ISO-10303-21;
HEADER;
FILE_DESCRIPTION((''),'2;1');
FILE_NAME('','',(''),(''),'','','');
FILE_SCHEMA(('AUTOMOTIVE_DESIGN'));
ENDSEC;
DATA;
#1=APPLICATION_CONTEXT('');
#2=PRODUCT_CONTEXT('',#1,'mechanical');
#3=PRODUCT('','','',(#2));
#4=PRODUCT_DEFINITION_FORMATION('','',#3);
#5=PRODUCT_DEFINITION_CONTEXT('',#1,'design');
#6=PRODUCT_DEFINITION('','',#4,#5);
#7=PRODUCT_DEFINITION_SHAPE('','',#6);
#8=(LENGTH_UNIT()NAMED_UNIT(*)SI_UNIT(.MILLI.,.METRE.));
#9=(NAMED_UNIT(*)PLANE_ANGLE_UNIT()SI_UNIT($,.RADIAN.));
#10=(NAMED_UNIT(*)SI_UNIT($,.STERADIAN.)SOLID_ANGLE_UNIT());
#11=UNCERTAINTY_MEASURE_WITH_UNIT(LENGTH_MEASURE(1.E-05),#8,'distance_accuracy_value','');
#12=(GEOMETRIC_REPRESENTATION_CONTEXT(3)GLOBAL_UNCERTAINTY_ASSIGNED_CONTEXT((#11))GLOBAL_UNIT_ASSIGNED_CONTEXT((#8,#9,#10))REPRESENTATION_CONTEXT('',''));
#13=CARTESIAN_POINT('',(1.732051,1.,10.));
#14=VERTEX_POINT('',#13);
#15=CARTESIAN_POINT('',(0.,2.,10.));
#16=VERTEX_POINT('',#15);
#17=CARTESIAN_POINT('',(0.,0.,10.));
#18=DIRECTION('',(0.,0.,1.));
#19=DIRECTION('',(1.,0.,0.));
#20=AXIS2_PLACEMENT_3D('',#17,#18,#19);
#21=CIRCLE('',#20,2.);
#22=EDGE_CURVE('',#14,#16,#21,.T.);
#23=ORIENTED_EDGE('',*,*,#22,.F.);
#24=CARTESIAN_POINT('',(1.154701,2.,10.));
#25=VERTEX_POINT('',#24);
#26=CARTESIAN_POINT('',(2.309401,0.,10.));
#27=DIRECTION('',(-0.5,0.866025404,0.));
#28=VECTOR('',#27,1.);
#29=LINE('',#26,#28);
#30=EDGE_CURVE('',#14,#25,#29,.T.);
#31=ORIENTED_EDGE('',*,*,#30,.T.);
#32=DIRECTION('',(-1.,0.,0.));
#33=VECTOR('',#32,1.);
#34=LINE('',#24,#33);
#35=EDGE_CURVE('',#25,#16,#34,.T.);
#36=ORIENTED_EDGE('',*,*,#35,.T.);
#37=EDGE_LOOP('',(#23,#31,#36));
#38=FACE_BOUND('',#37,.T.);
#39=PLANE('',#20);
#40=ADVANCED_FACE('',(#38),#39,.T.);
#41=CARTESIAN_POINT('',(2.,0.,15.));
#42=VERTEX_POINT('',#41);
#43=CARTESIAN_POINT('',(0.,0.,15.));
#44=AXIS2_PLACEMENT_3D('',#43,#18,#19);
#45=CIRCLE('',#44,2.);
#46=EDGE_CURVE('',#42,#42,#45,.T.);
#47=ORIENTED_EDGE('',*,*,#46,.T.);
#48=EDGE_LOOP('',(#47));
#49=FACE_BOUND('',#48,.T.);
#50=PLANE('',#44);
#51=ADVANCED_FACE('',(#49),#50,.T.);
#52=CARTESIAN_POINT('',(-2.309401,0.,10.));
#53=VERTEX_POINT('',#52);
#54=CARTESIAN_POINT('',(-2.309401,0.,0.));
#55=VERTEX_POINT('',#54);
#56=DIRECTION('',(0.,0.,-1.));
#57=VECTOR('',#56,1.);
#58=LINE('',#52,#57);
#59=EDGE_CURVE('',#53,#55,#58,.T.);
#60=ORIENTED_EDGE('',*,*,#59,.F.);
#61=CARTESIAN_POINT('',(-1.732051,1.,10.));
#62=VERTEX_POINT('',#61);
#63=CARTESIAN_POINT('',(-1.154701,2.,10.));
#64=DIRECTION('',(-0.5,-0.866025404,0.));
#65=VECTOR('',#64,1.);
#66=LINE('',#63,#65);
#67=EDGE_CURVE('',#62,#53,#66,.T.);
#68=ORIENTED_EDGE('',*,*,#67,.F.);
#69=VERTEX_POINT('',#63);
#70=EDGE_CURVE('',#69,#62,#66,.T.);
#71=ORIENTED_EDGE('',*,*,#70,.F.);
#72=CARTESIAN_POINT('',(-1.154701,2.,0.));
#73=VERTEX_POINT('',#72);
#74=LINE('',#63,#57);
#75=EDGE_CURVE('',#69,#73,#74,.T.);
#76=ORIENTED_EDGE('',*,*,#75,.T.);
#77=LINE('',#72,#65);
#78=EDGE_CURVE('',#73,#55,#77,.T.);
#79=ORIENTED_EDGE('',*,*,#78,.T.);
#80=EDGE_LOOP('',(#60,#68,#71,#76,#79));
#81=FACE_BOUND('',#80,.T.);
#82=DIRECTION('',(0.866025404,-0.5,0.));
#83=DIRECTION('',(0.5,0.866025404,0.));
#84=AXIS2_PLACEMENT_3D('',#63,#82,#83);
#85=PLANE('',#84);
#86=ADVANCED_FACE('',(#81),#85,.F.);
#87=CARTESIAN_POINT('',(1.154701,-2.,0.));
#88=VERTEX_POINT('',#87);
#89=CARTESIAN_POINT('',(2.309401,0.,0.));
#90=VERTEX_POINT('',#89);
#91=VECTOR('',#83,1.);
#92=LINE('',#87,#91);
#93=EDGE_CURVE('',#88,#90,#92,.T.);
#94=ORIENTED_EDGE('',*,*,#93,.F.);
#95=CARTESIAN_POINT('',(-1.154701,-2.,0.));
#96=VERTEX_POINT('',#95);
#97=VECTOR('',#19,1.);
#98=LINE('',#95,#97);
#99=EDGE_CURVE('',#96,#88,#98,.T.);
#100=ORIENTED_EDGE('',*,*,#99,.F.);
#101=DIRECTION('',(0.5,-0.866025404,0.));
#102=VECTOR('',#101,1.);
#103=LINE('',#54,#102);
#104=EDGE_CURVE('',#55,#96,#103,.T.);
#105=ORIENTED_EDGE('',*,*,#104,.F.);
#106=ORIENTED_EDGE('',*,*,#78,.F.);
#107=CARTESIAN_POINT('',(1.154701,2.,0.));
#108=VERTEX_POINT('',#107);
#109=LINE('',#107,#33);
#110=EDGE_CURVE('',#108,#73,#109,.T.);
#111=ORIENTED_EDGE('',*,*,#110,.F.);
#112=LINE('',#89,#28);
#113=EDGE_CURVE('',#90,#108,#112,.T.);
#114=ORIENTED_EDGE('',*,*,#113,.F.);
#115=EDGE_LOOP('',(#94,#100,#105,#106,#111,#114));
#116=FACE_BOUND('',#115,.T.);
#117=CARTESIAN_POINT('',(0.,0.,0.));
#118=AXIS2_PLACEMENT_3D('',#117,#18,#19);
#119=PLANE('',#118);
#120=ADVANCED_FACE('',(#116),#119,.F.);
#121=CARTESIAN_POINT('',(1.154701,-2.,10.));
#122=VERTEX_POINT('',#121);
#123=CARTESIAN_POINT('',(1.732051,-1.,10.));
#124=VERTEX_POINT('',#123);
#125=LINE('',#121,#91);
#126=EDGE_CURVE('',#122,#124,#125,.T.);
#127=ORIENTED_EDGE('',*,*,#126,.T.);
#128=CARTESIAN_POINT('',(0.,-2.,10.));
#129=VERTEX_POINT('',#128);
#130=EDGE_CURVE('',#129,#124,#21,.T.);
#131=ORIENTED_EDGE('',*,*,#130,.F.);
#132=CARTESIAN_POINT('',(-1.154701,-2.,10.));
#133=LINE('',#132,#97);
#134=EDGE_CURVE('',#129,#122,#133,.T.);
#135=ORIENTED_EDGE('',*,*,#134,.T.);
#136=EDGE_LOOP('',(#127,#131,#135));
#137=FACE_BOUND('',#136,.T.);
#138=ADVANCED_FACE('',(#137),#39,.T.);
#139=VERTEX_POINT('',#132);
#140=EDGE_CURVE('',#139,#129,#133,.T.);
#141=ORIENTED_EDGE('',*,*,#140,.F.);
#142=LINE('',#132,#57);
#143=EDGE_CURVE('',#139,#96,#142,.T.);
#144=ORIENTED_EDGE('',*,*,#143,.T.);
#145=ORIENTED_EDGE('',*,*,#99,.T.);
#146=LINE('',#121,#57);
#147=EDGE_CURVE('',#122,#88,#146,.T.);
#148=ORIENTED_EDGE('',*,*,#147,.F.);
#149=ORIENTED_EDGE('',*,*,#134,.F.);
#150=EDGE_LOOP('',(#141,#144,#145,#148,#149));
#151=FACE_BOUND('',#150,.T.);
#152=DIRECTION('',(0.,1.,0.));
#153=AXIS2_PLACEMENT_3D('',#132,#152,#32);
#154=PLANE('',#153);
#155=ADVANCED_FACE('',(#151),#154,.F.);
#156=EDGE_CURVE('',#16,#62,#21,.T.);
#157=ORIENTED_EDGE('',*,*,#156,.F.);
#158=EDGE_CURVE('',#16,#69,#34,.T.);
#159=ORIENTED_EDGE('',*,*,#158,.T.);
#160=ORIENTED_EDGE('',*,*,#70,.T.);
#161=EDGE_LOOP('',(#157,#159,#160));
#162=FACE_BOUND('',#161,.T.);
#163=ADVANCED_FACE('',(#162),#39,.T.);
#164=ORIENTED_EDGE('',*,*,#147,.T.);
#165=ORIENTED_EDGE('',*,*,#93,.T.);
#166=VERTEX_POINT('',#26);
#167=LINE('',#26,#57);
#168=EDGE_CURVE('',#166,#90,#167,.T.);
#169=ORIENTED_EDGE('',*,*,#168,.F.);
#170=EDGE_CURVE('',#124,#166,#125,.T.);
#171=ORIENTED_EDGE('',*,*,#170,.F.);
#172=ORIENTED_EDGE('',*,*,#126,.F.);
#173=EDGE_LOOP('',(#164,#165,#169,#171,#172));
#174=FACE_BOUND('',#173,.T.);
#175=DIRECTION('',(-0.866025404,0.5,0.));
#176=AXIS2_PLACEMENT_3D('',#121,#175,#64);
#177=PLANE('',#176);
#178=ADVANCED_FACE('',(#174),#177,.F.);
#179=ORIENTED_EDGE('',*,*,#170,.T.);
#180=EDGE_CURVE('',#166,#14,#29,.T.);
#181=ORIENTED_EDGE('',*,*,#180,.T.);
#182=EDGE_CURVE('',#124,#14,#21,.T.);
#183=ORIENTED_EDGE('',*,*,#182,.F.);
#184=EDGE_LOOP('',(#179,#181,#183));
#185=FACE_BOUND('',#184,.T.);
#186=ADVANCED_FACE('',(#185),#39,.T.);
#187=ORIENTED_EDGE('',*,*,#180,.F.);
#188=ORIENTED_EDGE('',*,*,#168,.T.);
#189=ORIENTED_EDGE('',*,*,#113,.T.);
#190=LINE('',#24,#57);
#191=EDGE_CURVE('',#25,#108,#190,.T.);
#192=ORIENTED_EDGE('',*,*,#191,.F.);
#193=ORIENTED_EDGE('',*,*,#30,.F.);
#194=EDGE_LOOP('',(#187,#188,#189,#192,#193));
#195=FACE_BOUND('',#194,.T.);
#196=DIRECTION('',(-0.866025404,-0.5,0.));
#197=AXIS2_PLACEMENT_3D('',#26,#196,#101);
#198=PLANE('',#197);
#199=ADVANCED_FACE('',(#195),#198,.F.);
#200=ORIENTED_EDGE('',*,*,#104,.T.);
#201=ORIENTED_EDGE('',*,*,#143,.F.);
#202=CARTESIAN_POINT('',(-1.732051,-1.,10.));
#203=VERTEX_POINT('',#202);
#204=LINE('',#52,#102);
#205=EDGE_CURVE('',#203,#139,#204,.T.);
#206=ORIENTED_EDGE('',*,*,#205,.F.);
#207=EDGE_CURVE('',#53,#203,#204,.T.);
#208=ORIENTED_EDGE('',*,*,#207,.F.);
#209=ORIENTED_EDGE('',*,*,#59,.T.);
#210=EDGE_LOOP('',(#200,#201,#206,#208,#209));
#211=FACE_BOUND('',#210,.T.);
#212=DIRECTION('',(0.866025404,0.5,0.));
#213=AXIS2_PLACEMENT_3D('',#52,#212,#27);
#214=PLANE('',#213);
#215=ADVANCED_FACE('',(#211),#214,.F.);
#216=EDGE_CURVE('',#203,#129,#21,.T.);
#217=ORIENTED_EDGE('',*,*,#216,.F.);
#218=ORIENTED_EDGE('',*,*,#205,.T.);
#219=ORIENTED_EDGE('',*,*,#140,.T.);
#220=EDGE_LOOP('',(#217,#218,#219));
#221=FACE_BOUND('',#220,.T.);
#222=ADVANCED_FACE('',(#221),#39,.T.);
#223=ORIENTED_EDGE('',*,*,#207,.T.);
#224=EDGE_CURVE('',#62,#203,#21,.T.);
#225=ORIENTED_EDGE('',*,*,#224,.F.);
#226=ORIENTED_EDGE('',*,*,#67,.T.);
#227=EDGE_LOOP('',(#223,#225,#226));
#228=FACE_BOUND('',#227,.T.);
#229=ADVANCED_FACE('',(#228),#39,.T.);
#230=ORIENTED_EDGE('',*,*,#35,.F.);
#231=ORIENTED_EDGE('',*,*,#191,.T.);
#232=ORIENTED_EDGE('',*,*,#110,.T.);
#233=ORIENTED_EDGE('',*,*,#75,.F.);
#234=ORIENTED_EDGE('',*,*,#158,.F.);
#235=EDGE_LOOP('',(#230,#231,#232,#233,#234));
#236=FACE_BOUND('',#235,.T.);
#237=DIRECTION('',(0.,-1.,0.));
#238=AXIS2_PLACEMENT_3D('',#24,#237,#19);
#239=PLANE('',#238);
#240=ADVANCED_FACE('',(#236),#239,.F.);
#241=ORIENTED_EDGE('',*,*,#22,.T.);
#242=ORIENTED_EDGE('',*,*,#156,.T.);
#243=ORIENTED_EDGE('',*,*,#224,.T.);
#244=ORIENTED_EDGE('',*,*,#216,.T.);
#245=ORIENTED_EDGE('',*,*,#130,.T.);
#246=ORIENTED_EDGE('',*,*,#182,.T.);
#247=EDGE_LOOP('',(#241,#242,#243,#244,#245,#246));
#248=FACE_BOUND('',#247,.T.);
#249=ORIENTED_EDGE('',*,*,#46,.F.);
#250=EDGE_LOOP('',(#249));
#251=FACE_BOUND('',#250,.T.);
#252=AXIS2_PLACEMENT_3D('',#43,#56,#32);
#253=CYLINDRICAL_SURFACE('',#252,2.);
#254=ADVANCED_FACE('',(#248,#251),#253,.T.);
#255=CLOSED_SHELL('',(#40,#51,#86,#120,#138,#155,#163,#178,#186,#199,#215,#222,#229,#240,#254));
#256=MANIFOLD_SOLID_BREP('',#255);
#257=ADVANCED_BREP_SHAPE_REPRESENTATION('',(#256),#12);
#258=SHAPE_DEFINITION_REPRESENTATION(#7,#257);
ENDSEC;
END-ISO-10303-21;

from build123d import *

# Parameters (mm, degrees)
BOSS_EXTRUDE1_DEPTH = 10
SKETCH2_R           = 2
BOSS_EXTRUDE2_DEPTH = 5


with BuildPart() as part:
    # Sketch1 → Boss-Extrude1 (new body)
    with BuildSketch(Plane.XY):
        Polygon((-1.154700538, -2), (1.154700538, -2), (2.309401077, 0), (1.154700538, 2), (-1.154700538, 2), (-2.309401077, 0), align=None)
    extrude(amount=BOSS_EXTRUDE1_DEPTH)

    # Sketch2 → Boss-Extrude2 (add)
    with BuildSketch(Plane.XY.offset(10)):
        Circle(SKETCH2_R)
    extrude(amount=BOSS_EXTRUDE2_DEPTH)


solid = part.part
